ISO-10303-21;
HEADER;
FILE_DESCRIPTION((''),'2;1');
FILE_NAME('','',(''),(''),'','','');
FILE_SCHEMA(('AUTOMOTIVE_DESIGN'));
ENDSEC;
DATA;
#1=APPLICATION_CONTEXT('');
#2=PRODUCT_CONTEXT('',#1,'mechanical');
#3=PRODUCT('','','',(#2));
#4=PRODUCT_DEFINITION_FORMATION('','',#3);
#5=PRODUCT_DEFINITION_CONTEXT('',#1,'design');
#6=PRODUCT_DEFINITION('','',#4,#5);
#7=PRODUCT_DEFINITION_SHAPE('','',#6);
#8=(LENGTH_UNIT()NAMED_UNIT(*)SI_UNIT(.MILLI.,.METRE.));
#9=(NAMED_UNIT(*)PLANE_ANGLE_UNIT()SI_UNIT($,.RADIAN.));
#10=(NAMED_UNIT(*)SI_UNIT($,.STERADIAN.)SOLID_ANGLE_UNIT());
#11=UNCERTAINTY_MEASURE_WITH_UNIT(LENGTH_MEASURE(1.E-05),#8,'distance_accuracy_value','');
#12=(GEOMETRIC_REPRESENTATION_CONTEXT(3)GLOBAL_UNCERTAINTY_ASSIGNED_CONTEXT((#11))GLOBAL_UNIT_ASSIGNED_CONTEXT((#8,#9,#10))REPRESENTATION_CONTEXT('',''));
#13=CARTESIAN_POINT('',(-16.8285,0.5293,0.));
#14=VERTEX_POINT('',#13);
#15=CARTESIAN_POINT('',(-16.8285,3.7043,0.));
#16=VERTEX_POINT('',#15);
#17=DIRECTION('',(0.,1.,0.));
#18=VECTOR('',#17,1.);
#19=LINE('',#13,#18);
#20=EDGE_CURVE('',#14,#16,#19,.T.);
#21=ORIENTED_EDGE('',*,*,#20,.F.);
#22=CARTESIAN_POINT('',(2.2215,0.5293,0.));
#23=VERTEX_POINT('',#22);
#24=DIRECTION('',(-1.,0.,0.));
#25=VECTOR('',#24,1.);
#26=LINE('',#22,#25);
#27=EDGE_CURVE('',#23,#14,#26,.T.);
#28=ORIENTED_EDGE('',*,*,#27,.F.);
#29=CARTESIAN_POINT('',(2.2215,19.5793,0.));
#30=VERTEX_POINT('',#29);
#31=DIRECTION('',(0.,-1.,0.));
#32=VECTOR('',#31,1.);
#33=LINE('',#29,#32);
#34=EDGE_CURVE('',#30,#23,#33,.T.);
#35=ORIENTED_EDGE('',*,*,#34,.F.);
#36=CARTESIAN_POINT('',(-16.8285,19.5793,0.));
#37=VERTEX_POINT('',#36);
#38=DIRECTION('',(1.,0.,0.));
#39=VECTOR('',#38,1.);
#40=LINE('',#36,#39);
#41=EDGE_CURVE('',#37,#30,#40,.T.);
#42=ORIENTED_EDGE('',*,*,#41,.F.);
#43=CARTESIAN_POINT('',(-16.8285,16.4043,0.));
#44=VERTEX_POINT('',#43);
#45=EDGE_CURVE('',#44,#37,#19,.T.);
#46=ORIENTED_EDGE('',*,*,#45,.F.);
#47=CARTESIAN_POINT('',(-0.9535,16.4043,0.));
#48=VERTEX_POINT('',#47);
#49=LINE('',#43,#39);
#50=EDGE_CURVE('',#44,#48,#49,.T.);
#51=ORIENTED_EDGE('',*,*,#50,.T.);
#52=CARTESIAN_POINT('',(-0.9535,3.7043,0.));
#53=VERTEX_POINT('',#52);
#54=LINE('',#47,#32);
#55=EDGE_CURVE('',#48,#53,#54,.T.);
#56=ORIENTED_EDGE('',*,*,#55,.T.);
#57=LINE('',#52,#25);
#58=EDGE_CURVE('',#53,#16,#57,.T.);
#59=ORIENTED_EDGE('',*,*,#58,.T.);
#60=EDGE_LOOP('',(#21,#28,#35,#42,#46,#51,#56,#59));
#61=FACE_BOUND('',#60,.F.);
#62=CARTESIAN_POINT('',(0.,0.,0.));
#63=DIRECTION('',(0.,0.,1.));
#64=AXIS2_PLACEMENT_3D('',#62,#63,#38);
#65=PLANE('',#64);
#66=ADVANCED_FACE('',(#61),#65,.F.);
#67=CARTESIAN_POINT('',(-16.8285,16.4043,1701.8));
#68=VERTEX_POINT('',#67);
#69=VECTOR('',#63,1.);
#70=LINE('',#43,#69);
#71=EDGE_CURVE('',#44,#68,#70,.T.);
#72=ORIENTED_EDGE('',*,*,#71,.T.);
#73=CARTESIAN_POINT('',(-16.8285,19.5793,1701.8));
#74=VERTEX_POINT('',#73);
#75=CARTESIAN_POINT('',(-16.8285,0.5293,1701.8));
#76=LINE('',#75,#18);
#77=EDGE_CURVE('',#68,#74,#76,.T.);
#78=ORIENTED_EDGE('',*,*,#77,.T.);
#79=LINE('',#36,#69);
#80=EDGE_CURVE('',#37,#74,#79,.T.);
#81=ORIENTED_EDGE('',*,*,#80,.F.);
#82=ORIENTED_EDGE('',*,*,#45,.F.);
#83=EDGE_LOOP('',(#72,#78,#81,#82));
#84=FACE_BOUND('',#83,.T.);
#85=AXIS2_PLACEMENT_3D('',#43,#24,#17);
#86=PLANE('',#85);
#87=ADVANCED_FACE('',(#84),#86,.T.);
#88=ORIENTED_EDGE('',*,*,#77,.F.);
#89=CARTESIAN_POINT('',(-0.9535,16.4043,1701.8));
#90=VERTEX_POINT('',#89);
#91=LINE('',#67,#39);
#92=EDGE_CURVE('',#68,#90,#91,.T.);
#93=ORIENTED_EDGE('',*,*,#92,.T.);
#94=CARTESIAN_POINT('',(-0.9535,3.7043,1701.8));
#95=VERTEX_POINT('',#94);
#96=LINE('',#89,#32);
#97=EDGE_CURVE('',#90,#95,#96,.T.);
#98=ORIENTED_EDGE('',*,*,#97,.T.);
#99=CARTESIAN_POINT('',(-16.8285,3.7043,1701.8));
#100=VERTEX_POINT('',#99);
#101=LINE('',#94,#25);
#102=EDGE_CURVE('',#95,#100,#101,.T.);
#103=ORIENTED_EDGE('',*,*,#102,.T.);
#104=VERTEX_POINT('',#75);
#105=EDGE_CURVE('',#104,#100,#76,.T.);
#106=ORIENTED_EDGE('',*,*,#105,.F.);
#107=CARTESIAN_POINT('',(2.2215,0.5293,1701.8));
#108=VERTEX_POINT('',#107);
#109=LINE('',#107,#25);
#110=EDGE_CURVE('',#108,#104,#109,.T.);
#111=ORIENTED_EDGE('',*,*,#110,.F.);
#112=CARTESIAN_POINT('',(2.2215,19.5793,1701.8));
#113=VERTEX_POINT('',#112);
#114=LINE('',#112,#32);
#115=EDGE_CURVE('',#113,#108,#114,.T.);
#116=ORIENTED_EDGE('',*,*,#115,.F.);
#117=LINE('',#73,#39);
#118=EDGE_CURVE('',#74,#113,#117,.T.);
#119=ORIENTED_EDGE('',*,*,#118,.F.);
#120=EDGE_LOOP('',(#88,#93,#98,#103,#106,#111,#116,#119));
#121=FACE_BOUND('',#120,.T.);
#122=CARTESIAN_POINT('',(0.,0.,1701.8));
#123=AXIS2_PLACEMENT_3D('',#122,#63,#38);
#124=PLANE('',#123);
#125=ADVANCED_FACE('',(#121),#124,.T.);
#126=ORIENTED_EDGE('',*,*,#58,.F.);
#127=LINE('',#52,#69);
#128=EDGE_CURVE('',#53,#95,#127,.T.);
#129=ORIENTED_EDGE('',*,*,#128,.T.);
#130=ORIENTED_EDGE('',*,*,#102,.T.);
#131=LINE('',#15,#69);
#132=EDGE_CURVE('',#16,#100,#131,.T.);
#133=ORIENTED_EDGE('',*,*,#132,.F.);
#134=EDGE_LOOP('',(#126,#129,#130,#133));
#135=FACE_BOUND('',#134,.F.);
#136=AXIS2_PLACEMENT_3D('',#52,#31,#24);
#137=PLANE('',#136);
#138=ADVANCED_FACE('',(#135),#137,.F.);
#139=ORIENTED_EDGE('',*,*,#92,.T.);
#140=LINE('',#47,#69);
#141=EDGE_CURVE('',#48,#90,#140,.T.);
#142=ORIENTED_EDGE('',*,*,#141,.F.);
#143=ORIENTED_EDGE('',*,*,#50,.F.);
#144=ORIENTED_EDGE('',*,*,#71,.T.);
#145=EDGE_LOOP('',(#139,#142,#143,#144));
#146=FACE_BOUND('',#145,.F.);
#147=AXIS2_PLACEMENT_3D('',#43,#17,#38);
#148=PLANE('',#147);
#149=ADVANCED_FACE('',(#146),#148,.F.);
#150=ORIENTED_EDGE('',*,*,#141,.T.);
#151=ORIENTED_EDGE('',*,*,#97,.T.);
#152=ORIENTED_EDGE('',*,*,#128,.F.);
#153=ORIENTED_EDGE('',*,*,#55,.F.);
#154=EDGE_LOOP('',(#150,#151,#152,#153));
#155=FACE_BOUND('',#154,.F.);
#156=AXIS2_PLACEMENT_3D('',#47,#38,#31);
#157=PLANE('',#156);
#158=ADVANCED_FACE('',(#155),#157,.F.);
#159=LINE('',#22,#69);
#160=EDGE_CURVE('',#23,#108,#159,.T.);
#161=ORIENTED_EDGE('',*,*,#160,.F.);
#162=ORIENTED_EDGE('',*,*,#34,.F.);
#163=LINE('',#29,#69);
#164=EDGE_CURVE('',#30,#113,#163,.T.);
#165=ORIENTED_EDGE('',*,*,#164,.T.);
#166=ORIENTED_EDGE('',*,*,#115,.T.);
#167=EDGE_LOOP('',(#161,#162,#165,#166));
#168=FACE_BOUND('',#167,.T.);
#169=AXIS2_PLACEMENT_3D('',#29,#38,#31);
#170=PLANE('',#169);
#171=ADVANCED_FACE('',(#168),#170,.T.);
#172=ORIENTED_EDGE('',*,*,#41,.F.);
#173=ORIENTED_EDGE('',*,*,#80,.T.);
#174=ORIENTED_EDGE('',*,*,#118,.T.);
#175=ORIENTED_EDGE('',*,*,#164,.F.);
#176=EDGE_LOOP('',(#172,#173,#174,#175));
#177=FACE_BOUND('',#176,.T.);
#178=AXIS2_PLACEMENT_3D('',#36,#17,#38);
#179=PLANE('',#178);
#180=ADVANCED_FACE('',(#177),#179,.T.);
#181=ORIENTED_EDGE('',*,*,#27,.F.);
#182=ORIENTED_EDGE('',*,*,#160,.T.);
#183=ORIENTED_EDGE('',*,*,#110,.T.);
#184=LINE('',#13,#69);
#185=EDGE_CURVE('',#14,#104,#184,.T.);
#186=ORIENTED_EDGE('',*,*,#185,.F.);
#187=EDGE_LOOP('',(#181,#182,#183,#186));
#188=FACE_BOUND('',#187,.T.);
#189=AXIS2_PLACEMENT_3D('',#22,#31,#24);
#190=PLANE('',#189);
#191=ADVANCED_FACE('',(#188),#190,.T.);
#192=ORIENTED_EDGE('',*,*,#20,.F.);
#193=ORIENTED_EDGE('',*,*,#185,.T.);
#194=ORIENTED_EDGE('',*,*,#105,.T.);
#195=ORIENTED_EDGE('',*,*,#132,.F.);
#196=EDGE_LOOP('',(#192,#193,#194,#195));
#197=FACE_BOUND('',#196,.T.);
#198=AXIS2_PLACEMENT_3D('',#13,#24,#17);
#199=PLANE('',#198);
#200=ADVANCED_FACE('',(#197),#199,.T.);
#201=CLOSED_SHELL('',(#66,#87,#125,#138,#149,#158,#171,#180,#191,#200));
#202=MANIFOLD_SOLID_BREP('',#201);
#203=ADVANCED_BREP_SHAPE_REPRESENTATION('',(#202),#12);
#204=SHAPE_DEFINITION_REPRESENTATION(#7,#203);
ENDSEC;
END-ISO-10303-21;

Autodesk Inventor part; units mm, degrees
ref_plane "YZ Plane" through (0, 0, 0) normal (1, 0, 0) x (0, 1, 0)
ref_plane "XZ Plane" through (0, 0, 0) normal (0, 1, 0) x (-1, 0, 0)
ref_plane "XY Plane" through (0, 0, 0) normal (0, 0, 1) x (1, 0, 0)
sketch "Sketch1" plane through (0, 0, 0) normal (0, 0, 1) x (1, 0, 0)
  line L0 (-16.8285, 19.5793) -> (2.2215, 19.5793)
  line L1 (2.2215, 19.5793) -> (2.2215, 0.5293)
  line L2 (2.2215, 0.5293) -> (-16.8285, 0.5293)
  line L3 (-16.8285, 0.5293) -> (-16.8285, 19.5793)
  line L4 (-16.8285, 16.4043) -> (-0.9535, 16.4043)
  line L5 (-0.9535, 16.4043) -> (-0.9535, 3.7043)
  line L6 (-0.9535, 3.7043) -> (-16.8285, 3.7043)
  line L7 (-16.8285, 3.7043) -> (-16.8285, 16.4043)
  dimension "d0" = 19.05
  dimension "d1" = 19.05
  dimension "d2" = 3.175
  dimension "d3" = 3.175
  dimension "d4" = 3.175
extrude "Extrusion1" add sketch "Sketch1" along normal blind 1701.8 contours L0 L1 L2 L3 L6 L5 L4
properties part number "FE-00004-05"
